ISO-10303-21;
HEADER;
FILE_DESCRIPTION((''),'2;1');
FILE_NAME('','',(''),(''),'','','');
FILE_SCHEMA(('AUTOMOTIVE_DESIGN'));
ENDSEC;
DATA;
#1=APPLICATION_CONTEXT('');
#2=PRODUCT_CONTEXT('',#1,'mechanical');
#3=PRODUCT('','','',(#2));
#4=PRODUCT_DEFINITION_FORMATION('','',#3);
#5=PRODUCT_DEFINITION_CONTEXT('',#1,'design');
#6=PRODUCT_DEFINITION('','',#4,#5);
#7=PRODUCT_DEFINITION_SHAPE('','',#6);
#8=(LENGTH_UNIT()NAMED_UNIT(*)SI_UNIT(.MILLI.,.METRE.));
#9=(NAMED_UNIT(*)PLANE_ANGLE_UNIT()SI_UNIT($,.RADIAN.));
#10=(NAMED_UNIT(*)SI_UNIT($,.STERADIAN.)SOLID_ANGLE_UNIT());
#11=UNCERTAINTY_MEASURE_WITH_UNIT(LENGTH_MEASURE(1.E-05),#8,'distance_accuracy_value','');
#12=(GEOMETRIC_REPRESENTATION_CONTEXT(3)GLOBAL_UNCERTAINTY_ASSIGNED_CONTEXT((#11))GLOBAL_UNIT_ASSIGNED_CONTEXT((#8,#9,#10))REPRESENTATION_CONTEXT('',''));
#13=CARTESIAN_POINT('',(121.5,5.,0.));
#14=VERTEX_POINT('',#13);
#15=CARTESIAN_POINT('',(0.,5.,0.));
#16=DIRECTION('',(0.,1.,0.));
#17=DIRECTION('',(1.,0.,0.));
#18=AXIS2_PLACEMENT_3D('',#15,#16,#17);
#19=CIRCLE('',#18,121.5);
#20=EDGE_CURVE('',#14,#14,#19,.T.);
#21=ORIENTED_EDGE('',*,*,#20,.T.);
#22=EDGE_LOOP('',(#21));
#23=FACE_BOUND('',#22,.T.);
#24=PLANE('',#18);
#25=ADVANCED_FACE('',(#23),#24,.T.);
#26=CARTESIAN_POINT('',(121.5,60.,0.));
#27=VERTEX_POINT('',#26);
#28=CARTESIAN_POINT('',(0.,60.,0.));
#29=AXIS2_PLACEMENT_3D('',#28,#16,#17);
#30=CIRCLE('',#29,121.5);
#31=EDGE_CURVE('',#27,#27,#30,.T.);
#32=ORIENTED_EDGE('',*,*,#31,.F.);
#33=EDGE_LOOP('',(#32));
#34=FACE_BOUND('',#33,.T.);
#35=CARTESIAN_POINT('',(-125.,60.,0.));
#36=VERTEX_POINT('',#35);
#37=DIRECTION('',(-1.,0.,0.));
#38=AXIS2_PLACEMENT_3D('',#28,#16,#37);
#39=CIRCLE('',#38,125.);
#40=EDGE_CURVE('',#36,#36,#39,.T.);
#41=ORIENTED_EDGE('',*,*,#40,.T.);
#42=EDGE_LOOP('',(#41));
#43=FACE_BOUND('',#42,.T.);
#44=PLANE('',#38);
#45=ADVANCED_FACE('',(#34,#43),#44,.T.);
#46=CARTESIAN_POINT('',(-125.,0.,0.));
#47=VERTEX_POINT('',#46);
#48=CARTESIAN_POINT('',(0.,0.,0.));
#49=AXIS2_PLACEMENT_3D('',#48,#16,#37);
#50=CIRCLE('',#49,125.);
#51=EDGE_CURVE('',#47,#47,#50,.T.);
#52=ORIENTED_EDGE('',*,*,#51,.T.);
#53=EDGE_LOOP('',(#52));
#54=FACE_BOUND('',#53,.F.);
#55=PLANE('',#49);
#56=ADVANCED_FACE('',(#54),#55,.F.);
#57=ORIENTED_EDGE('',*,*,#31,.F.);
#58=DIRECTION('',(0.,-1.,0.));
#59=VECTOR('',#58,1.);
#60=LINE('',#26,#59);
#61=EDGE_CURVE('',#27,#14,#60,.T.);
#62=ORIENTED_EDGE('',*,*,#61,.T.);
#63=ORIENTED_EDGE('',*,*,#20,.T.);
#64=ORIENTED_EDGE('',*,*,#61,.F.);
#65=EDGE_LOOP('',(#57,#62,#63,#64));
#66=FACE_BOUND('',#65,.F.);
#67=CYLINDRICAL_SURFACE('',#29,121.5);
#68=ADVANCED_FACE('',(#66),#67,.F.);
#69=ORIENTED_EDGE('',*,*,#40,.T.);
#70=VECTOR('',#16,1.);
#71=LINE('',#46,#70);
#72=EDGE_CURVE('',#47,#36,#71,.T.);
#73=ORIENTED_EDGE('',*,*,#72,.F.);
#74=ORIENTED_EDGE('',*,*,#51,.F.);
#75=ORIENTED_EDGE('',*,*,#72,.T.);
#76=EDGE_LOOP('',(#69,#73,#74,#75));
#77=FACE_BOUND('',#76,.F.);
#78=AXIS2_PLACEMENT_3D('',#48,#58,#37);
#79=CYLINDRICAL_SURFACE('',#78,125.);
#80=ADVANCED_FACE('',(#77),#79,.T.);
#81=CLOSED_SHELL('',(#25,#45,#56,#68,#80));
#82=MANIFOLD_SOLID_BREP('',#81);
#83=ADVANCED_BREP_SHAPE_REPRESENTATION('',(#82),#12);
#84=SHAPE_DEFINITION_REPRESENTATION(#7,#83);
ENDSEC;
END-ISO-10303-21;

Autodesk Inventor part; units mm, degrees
ref_plane "YZ Plane" through (0, 0, 0) normal (1, 0, 0) x (0, 1, 0)
ref_plane "XZ Plane" through (0, 0, 0) normal (0, 1, 0) x (-1, 0, 0)
ref_plane "XY Plane" through (0, 0, 0) normal (0, 0, 1) x (1, 0, 0)
sketch "Sketch22" plane through (0, 0, 0) normal (0, 1, 0) x (-1, 0, 0)
  circle A0 centre (0, 0) radius 125
  dimension "d11" = 250
extrude "Extrusion4" add sketch "Sketch22" along normal blind 60
sketch "Sketch23" plane through (0, 60, 0) normal (0, 1, 0) x (1, 0, 0)
  circle A0 centre (0, 0) radius 121.5
  dimension "d14" = 243
extrude "Extrusion5" cut sketch "Sketch23" against normal blind 55
properties part number "electronics-base"
